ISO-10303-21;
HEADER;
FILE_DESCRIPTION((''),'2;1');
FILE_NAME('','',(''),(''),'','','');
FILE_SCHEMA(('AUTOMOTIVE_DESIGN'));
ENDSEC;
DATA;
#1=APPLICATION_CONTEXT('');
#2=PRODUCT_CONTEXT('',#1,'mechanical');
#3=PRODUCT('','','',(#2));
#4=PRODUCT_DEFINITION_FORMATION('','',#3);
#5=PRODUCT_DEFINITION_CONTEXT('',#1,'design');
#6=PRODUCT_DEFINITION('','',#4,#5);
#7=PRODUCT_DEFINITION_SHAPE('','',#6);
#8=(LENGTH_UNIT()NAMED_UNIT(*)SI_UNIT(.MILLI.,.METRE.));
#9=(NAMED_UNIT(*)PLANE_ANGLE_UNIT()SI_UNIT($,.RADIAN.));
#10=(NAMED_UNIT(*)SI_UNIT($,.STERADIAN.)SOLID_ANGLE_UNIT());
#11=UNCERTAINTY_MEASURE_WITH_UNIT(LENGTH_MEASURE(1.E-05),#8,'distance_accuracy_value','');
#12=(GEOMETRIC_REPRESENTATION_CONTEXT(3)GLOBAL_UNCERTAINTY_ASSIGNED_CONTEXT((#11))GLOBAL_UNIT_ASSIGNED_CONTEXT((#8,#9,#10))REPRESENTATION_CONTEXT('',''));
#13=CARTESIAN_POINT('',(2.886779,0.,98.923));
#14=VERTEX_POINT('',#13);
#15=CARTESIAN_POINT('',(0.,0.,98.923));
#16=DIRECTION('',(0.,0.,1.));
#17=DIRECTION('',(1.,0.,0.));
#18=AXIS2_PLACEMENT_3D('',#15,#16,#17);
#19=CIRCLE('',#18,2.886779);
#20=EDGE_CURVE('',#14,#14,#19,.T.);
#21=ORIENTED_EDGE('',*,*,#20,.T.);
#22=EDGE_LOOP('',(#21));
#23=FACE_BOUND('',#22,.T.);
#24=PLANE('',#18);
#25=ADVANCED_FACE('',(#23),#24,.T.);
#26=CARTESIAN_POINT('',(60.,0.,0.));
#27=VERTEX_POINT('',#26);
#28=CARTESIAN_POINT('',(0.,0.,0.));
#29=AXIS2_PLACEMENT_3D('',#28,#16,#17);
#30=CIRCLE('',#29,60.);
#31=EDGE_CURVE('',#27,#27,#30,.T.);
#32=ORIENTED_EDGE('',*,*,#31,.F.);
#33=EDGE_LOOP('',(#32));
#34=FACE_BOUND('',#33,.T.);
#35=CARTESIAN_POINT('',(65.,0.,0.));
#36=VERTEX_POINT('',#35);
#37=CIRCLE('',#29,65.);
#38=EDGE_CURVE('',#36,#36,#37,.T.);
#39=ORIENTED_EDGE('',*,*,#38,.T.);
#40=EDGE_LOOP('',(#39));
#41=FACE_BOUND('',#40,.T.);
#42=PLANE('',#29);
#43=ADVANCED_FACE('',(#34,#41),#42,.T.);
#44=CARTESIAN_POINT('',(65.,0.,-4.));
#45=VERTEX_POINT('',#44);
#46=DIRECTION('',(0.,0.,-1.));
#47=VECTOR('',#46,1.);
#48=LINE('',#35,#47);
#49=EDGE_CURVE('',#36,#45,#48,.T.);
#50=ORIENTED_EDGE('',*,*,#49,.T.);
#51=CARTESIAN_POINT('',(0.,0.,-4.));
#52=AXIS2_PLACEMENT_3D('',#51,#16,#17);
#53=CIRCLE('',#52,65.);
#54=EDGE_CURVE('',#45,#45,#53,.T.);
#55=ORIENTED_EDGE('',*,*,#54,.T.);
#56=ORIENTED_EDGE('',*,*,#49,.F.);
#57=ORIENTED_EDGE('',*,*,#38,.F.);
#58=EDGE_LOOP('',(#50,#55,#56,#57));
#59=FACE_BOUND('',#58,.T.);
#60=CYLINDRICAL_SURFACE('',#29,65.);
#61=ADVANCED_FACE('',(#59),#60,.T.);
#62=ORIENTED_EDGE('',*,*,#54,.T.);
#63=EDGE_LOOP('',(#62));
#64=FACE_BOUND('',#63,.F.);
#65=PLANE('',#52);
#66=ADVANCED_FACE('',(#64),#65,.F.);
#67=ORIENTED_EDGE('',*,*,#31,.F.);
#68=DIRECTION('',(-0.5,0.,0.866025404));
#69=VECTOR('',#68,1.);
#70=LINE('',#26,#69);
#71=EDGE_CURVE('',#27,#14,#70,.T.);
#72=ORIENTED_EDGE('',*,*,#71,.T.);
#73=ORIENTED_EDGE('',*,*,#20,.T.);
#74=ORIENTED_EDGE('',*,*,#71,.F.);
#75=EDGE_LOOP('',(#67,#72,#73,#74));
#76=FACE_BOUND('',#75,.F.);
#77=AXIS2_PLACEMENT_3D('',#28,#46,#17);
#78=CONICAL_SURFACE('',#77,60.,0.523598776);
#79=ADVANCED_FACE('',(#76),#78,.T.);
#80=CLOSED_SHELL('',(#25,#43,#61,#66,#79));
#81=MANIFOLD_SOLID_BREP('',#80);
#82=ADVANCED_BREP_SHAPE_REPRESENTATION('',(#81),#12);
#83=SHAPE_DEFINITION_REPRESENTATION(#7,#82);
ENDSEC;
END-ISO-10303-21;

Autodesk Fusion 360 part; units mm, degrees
sketch "Sketch1" plane through (0, 0, 0) normal (0, 0, 1) x (1, 0, 0)
  circle A0 centre (0, 0) radius 60
  circle A1 centre (0, 0) radius 65
  dimension "diameter" = 120
  dimension "d6" = 130
extrude "Extrude1" add sketch "Sketch1" along normal blind 98.923 draft -30 contours A0
extrude "Extrude2" add sketch "Sketch1" against normal blind 4 contours A0 | A1
equation "diameter = FilterDiameter + 10 mm"
equation "d2 = diameter / 2 / tan(30 deg) - 5 mm"
equation "d6 = diameter + 10 mm"
equation "FilterDiameter = 110 mm" comment "No1=100, No2=110, No3=???"
